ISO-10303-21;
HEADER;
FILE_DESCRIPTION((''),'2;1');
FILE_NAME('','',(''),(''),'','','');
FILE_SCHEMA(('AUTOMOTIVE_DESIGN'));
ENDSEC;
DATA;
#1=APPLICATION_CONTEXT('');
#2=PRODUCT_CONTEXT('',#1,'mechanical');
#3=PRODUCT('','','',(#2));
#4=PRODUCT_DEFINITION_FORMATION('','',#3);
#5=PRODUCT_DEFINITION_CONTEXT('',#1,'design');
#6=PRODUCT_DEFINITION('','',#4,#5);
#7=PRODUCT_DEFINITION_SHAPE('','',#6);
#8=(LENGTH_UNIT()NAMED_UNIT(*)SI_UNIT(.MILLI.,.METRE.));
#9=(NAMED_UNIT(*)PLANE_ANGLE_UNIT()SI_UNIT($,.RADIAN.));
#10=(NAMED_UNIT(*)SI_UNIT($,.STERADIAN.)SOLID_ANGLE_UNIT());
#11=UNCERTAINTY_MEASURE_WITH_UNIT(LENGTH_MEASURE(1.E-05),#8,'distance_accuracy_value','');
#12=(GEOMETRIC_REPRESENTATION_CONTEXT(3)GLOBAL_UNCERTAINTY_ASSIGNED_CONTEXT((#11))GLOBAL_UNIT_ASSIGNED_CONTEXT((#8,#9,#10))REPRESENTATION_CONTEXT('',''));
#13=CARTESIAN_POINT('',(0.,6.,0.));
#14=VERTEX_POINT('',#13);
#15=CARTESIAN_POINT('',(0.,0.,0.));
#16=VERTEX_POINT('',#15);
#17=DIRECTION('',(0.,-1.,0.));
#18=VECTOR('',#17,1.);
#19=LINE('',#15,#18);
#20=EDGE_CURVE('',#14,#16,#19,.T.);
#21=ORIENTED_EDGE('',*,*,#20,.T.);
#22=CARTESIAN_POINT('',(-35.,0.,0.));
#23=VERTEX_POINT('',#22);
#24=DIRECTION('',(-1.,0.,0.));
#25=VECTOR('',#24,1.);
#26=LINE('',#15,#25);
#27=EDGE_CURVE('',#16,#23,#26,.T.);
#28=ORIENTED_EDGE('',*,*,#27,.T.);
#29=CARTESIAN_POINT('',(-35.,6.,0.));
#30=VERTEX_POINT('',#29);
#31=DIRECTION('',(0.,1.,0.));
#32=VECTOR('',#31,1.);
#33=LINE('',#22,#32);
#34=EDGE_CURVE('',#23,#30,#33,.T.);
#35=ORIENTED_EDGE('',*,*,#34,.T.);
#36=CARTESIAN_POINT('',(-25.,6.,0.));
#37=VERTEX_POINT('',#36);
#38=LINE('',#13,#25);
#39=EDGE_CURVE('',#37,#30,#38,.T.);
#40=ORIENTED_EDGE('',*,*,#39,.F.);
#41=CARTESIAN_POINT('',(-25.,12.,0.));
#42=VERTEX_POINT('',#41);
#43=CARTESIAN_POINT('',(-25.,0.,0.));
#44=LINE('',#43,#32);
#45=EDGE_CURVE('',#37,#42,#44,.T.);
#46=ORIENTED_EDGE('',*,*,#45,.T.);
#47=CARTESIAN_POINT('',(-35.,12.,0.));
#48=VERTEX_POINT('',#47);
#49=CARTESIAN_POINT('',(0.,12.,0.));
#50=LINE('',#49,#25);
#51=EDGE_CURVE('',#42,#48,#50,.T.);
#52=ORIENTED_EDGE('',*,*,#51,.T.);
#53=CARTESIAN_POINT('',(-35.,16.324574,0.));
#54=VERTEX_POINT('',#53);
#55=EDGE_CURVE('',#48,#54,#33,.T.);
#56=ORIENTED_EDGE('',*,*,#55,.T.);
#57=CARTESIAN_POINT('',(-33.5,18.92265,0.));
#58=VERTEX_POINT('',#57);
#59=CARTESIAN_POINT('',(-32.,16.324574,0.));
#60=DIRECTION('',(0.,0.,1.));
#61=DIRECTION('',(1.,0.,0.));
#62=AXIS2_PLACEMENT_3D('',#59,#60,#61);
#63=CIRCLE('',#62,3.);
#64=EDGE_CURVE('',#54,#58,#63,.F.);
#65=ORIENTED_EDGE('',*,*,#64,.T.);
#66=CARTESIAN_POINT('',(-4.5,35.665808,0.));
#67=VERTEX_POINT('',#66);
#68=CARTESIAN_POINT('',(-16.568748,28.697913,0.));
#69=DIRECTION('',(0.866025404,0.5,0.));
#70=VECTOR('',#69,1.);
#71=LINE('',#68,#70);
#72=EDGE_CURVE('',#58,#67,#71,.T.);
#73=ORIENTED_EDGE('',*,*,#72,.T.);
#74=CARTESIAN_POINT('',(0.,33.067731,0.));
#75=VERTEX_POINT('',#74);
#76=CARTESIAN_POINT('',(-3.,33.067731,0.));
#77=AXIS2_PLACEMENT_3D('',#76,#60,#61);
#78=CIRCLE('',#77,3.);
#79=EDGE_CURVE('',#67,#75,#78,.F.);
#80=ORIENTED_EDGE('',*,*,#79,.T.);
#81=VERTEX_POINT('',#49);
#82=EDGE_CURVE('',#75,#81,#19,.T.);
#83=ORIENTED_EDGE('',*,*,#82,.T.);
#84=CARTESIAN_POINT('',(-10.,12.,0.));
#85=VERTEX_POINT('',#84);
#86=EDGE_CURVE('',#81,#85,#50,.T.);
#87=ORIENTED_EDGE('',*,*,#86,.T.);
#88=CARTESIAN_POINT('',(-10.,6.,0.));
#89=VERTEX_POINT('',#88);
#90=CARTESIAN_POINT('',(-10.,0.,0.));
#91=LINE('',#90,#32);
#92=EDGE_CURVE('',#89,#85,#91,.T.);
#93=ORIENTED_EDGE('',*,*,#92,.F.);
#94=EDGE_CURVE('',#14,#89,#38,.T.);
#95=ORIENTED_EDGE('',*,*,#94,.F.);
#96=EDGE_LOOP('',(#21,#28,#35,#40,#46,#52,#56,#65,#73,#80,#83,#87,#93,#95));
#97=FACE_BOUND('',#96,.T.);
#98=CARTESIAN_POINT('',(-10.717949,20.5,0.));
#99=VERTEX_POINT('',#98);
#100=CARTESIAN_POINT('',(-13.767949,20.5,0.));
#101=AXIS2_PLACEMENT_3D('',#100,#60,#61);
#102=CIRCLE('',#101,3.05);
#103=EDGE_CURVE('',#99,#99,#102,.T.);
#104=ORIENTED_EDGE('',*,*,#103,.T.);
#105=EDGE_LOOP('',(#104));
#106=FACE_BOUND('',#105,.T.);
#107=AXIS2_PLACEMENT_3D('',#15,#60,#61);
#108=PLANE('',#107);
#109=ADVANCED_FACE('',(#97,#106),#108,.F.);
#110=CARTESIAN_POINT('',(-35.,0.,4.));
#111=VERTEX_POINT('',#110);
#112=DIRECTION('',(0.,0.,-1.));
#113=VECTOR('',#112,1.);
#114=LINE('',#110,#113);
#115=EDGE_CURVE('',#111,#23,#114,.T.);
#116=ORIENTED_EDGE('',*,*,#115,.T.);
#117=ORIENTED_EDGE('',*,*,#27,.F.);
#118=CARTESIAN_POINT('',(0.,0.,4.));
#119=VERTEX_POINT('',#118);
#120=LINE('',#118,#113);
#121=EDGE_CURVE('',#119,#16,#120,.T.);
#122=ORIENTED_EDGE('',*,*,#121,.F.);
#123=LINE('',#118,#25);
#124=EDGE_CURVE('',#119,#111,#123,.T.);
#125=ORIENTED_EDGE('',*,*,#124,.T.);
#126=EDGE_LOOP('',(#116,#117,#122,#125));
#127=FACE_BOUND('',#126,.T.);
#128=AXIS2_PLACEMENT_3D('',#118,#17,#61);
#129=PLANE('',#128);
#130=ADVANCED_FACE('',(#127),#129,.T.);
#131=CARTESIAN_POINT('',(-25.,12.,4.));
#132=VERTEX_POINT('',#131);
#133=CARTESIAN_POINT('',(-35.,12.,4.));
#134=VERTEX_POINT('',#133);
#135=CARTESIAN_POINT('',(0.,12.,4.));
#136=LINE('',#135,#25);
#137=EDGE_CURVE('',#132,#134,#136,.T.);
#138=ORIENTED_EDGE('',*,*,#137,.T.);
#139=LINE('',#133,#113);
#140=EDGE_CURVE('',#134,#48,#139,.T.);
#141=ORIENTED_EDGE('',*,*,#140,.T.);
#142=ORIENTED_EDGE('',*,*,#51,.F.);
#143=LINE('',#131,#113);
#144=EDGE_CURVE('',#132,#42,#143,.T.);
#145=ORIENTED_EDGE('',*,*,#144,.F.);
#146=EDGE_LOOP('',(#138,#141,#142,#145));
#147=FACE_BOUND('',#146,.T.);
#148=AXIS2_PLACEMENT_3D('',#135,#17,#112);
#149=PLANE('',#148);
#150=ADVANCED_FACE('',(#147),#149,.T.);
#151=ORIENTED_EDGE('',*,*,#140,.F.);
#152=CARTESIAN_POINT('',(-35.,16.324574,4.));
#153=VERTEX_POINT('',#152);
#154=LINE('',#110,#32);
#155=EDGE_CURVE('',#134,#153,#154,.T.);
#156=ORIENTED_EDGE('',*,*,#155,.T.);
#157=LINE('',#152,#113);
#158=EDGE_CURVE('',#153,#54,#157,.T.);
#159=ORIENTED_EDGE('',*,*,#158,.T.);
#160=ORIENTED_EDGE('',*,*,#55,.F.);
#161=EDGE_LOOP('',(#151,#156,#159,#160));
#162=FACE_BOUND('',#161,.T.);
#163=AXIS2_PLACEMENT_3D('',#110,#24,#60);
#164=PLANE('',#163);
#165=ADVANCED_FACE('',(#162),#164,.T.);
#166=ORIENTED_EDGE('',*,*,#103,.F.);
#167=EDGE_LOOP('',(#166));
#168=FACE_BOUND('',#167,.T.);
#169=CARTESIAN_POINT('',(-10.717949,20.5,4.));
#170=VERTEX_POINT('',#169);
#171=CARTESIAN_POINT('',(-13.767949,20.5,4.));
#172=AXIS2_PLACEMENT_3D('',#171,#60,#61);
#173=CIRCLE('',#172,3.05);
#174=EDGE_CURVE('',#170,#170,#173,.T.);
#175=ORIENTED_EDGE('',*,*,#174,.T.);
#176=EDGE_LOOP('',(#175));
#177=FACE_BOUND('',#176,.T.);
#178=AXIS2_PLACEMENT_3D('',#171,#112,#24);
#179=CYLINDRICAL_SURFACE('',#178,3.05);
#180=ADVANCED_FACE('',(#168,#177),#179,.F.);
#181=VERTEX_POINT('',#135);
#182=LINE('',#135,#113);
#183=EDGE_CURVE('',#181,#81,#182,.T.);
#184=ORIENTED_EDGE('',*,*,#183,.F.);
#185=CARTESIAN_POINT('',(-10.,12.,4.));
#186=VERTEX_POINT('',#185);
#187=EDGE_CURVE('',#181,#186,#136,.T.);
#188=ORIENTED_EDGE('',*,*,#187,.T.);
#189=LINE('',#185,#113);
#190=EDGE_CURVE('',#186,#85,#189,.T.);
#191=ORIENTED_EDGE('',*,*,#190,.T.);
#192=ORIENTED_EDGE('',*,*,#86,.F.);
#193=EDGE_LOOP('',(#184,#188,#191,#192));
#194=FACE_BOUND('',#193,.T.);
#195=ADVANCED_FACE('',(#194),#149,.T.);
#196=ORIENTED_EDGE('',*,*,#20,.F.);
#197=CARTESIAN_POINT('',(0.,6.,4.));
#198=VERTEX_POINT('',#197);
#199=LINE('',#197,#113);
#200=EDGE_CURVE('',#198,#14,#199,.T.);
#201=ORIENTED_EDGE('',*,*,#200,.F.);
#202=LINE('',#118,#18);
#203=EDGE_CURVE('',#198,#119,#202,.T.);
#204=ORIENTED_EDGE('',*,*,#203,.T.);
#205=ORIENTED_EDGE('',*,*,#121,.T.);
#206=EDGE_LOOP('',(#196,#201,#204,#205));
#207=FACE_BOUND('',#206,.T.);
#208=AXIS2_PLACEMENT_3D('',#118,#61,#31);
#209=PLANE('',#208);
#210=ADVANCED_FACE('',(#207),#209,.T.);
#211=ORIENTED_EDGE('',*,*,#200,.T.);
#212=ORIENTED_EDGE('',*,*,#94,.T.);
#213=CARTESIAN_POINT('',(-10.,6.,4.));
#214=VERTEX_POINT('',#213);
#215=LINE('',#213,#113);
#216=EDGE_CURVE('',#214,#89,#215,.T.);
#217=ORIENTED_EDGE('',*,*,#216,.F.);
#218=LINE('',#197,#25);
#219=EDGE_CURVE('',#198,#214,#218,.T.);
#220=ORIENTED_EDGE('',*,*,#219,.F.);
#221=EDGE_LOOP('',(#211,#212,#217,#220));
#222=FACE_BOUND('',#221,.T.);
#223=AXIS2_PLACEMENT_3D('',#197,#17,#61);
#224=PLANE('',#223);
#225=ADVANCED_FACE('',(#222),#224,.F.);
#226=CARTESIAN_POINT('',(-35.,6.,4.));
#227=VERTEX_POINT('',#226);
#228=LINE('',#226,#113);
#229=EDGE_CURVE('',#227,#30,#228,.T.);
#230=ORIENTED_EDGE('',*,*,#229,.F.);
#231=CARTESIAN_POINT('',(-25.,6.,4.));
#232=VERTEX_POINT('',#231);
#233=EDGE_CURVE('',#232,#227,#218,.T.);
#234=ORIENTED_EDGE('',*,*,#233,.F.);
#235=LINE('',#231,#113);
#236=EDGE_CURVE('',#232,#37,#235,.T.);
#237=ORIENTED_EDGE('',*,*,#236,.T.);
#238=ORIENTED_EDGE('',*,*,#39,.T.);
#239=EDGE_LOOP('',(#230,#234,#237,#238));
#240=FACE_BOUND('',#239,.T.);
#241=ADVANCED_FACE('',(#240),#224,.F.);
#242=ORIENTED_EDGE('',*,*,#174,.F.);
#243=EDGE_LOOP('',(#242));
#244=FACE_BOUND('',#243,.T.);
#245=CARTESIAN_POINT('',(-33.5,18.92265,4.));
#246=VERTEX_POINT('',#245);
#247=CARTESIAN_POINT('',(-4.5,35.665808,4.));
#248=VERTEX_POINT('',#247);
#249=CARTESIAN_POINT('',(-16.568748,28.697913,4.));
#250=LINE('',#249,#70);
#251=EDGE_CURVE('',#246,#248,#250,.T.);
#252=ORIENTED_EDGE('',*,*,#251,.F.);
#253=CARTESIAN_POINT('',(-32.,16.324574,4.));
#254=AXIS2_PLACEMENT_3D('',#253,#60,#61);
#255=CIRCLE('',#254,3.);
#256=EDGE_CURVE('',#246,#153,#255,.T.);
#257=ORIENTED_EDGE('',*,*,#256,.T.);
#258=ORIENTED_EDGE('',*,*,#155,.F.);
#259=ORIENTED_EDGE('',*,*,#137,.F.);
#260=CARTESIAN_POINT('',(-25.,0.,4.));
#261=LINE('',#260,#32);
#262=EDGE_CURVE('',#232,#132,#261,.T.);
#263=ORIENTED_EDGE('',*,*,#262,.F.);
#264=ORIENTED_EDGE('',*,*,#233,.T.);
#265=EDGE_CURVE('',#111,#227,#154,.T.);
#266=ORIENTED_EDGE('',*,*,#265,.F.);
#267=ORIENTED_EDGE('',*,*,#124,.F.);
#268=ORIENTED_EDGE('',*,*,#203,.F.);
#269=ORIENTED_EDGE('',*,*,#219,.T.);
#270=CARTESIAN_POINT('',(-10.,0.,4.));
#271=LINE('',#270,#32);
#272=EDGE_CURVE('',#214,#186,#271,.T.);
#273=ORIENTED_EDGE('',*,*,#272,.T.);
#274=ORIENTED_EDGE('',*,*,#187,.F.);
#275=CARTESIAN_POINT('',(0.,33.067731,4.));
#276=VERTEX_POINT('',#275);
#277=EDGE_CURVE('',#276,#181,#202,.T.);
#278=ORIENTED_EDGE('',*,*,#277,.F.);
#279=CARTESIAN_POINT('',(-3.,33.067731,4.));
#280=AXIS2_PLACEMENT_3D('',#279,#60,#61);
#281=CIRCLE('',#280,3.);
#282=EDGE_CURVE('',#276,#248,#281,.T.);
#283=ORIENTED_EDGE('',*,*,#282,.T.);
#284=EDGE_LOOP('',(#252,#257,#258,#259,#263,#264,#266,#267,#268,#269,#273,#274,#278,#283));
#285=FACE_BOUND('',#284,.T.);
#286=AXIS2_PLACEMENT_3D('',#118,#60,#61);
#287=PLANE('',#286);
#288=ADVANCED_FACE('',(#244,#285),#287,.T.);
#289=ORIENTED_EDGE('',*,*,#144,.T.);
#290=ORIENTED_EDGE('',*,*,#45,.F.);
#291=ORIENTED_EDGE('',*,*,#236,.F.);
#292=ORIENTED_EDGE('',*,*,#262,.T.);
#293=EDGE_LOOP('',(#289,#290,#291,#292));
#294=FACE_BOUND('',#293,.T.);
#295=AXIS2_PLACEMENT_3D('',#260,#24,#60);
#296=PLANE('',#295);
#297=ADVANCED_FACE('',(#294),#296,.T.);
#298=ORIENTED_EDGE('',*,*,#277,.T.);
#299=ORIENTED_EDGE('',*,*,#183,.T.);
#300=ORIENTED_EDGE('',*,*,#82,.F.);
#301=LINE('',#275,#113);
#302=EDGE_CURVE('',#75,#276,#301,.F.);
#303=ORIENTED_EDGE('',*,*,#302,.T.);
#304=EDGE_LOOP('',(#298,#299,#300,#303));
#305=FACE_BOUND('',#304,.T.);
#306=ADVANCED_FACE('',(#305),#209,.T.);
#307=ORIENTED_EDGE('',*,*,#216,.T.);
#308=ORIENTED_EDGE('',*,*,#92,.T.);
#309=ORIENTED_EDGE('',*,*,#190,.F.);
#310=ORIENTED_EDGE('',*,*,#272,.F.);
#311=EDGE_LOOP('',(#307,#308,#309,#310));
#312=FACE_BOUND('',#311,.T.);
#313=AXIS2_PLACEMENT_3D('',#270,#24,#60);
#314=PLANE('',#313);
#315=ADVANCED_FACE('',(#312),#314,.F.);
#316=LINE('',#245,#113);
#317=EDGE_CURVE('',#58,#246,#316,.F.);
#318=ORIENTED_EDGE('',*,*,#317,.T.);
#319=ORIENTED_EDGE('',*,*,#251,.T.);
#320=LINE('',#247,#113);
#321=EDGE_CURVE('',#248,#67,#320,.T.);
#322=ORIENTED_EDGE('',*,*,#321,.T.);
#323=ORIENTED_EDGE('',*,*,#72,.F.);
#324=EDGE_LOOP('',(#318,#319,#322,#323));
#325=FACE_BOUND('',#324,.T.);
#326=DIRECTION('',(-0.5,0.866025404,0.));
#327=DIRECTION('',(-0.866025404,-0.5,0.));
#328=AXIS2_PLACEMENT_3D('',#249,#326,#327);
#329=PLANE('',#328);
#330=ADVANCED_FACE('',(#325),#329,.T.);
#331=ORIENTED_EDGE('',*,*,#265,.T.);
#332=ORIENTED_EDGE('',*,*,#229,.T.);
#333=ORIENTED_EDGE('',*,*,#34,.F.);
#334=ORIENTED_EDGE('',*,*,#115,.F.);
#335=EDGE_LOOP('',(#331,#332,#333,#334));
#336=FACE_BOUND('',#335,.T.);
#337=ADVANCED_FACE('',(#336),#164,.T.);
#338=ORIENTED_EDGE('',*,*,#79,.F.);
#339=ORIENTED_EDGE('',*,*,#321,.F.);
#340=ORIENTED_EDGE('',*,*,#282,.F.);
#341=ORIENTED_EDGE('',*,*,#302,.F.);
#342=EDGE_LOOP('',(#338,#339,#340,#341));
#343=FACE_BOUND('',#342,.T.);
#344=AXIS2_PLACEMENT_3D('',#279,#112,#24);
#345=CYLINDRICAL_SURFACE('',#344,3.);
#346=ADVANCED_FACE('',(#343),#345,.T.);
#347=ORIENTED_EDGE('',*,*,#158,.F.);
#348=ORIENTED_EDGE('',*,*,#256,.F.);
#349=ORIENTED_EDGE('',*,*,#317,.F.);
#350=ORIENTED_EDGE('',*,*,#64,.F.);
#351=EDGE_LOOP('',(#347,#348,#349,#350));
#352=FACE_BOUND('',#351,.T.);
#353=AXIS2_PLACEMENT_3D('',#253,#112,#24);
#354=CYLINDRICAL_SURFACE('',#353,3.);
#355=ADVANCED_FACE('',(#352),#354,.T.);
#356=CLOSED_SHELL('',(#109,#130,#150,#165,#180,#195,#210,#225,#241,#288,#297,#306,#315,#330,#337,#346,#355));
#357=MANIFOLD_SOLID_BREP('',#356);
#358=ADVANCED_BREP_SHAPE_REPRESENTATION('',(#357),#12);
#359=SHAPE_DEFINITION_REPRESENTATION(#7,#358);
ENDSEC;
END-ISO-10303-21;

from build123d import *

# Parameters (mm, degrees)
ESBO_O1_R                = 3.05
RESSALTO_EXTRUS_O1_DEPTH = 4
FILETE1_R                = 3


with BuildPart() as part:
    # Esboço1 → Ressalto-extrusão1 (new body)
    with BuildSketch(Plane.XY):
        Polygon((0, 38.263883749), (-35, 18.056624327), (-35, 12), (-25, 12), (-25, 6), (-35, 6), (-35, 0), (0, 0), (0, 6), (-10, 6), (-10, 12), (0, 12), align=None)
        with Locations((-13.767949192, 20.5)):
            Circle(ESBO_O1_R, mode=Mode.SUBTRACT)
    extrude(amount=RESSALTO_EXTRUS_O1_DEPTH)

    # Filete1
    filete1_edges = [part.edges().sort_by_distance(p)[0] for p in [
        (-35, 18.056624327, 2),
        (0, 38.263883749, 2),
    ]]
    fillet(filete1_edges, radius=FILETE1_R)


solid = part.part
